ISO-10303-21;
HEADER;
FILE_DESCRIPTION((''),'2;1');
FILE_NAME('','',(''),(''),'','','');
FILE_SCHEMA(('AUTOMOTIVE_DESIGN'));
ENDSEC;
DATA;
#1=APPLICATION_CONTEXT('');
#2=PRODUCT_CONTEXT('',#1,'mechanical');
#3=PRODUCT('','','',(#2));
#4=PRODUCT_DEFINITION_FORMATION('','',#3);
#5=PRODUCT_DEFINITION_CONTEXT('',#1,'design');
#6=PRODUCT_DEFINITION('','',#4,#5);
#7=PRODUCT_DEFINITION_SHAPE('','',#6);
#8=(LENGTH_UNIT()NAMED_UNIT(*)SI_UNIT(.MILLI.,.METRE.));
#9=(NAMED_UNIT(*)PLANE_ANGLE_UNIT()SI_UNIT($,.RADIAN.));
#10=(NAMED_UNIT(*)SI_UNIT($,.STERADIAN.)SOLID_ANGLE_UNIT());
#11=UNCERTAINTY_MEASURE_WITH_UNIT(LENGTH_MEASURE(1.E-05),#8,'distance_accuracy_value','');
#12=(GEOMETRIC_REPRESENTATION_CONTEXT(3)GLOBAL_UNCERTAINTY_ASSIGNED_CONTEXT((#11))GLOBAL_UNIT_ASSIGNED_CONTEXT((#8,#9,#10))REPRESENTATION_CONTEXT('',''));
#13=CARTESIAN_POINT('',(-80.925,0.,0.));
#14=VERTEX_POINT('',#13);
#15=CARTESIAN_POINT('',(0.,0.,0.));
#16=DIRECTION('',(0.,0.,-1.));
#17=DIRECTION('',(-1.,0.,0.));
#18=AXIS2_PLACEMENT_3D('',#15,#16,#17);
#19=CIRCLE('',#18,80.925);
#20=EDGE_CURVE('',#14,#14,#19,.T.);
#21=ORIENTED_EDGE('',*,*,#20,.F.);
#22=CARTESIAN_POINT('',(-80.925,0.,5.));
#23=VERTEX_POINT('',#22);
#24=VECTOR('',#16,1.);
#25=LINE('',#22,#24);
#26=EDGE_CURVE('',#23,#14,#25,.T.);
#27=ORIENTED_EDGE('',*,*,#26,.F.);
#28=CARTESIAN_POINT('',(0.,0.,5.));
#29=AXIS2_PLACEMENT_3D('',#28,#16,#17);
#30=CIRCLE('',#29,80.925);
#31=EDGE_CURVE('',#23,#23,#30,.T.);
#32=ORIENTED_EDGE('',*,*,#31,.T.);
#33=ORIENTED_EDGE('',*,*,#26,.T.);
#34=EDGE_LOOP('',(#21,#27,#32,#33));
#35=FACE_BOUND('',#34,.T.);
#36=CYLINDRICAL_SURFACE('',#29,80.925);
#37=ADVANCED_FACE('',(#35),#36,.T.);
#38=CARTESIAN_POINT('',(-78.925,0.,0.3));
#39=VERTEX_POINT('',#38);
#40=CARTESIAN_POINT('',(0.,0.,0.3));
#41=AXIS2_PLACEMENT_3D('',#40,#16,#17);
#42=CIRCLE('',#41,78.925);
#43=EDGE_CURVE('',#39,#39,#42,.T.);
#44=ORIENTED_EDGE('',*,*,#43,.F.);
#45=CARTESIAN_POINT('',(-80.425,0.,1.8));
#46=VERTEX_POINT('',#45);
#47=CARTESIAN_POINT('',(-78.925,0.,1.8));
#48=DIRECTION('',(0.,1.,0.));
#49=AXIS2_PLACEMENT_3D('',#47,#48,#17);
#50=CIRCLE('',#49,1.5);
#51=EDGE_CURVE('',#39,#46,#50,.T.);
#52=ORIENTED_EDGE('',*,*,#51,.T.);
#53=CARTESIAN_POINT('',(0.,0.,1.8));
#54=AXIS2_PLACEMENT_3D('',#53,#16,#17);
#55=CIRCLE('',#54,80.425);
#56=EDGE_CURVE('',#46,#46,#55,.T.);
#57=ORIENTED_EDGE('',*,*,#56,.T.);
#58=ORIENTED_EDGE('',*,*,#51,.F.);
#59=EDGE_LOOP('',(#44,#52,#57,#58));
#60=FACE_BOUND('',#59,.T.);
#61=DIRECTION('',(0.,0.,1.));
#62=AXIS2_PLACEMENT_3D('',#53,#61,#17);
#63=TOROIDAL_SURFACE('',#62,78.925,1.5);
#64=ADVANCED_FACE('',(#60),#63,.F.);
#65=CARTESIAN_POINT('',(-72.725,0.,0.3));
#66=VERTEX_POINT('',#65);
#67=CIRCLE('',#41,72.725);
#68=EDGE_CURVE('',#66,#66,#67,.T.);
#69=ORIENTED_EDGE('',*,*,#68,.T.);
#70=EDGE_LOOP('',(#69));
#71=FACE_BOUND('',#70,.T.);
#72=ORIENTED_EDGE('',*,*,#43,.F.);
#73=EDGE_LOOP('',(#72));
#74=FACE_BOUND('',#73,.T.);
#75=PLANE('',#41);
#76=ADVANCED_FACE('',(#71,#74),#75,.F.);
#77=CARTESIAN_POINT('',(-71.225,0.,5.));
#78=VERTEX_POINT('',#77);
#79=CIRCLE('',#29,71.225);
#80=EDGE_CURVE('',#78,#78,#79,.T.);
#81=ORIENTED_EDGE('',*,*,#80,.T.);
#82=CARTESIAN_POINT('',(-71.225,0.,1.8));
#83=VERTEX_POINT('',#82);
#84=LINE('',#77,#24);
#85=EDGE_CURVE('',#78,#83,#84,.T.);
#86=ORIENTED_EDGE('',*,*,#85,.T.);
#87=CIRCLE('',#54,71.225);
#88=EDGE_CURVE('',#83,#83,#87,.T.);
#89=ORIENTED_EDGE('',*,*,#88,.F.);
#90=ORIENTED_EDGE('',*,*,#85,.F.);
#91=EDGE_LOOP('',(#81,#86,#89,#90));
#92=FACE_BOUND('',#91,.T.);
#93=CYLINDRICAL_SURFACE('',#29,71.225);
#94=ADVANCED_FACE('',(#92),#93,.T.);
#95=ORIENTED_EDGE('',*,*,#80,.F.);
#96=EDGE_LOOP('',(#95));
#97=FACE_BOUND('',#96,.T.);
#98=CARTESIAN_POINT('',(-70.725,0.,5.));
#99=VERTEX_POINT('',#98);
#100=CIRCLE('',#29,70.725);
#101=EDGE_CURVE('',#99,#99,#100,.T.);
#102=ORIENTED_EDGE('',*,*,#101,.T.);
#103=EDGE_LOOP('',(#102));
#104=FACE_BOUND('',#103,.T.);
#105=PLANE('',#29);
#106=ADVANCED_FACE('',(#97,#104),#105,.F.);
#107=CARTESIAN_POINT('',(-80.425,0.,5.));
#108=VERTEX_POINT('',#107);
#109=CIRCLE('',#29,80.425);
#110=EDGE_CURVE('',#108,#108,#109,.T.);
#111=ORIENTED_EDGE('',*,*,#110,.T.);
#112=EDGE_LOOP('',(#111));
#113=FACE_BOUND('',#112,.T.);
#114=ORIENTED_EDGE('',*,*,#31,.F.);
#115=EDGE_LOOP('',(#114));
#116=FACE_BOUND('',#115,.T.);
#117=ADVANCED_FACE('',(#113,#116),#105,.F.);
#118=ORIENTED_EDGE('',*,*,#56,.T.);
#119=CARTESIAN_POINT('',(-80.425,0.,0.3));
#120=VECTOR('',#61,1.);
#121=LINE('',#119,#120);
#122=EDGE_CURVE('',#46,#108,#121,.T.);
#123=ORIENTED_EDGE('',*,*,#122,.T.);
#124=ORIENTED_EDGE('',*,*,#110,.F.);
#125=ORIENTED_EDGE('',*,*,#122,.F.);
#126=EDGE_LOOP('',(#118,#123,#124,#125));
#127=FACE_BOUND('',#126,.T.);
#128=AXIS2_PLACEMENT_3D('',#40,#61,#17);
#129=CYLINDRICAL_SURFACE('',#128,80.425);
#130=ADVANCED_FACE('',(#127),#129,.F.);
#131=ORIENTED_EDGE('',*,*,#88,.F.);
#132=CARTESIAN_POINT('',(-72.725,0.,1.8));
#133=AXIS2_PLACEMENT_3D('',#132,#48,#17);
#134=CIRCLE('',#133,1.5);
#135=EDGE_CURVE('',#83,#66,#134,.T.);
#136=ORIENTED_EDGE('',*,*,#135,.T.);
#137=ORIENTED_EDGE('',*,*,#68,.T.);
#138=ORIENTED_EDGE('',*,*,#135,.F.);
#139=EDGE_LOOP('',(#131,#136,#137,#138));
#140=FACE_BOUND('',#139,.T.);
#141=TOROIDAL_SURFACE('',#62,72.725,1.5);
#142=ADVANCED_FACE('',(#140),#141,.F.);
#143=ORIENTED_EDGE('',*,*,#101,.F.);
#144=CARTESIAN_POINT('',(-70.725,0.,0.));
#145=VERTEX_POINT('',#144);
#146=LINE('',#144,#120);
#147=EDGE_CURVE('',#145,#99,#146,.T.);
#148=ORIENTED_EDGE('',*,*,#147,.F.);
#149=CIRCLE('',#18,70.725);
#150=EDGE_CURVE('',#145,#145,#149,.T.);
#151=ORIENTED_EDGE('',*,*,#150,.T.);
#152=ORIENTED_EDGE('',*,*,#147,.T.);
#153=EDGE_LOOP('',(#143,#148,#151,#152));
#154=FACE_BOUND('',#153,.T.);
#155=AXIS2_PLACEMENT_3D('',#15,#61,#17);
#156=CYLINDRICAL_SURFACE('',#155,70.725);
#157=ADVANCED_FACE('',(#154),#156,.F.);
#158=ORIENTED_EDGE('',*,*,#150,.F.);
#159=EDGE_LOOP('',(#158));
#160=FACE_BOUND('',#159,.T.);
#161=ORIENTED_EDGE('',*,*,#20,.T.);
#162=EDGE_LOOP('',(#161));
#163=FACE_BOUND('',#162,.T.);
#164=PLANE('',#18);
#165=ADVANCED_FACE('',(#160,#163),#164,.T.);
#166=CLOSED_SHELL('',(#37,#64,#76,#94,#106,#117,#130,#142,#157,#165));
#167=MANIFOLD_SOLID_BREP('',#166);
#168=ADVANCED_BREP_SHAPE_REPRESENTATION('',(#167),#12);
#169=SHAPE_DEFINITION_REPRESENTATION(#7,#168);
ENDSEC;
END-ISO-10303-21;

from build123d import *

# Parameters (mm, degrees)
F3_R = 1.5


with BuildPart() as f2:
    # F0 (on Front) → F2 (revolve)
    with BuildSketch(Plane.XZ):
        Polygon((-71.225, 0), (-70.725, 0), (-70.725, 5), (-71.225, 5), (-71.225, 0.3), align=None)
        Polygon((-80.425, 0), (-71.225, 0), (-71.225, 0.3), (-75.825, 0.3), (-80.425, 0.3), align=None)
        Polygon((-80.925, 0), (-80.425, 0), (-80.425, 0.3), (-80.425, 5), (-80.925, 5), align=None)
    revolve(axis=Axis((0, 0, 3.782909), (0, 0, -1)))

    # F3
    f3_edges = [f2.edges().sort_by_distance(p)[0] for p in [
        (80.425, 0, 0.3),
        (71.225, 0, 0.3),
    ]]
    fillet(f3_edges, radius=F3_R)


solid = f2.part
